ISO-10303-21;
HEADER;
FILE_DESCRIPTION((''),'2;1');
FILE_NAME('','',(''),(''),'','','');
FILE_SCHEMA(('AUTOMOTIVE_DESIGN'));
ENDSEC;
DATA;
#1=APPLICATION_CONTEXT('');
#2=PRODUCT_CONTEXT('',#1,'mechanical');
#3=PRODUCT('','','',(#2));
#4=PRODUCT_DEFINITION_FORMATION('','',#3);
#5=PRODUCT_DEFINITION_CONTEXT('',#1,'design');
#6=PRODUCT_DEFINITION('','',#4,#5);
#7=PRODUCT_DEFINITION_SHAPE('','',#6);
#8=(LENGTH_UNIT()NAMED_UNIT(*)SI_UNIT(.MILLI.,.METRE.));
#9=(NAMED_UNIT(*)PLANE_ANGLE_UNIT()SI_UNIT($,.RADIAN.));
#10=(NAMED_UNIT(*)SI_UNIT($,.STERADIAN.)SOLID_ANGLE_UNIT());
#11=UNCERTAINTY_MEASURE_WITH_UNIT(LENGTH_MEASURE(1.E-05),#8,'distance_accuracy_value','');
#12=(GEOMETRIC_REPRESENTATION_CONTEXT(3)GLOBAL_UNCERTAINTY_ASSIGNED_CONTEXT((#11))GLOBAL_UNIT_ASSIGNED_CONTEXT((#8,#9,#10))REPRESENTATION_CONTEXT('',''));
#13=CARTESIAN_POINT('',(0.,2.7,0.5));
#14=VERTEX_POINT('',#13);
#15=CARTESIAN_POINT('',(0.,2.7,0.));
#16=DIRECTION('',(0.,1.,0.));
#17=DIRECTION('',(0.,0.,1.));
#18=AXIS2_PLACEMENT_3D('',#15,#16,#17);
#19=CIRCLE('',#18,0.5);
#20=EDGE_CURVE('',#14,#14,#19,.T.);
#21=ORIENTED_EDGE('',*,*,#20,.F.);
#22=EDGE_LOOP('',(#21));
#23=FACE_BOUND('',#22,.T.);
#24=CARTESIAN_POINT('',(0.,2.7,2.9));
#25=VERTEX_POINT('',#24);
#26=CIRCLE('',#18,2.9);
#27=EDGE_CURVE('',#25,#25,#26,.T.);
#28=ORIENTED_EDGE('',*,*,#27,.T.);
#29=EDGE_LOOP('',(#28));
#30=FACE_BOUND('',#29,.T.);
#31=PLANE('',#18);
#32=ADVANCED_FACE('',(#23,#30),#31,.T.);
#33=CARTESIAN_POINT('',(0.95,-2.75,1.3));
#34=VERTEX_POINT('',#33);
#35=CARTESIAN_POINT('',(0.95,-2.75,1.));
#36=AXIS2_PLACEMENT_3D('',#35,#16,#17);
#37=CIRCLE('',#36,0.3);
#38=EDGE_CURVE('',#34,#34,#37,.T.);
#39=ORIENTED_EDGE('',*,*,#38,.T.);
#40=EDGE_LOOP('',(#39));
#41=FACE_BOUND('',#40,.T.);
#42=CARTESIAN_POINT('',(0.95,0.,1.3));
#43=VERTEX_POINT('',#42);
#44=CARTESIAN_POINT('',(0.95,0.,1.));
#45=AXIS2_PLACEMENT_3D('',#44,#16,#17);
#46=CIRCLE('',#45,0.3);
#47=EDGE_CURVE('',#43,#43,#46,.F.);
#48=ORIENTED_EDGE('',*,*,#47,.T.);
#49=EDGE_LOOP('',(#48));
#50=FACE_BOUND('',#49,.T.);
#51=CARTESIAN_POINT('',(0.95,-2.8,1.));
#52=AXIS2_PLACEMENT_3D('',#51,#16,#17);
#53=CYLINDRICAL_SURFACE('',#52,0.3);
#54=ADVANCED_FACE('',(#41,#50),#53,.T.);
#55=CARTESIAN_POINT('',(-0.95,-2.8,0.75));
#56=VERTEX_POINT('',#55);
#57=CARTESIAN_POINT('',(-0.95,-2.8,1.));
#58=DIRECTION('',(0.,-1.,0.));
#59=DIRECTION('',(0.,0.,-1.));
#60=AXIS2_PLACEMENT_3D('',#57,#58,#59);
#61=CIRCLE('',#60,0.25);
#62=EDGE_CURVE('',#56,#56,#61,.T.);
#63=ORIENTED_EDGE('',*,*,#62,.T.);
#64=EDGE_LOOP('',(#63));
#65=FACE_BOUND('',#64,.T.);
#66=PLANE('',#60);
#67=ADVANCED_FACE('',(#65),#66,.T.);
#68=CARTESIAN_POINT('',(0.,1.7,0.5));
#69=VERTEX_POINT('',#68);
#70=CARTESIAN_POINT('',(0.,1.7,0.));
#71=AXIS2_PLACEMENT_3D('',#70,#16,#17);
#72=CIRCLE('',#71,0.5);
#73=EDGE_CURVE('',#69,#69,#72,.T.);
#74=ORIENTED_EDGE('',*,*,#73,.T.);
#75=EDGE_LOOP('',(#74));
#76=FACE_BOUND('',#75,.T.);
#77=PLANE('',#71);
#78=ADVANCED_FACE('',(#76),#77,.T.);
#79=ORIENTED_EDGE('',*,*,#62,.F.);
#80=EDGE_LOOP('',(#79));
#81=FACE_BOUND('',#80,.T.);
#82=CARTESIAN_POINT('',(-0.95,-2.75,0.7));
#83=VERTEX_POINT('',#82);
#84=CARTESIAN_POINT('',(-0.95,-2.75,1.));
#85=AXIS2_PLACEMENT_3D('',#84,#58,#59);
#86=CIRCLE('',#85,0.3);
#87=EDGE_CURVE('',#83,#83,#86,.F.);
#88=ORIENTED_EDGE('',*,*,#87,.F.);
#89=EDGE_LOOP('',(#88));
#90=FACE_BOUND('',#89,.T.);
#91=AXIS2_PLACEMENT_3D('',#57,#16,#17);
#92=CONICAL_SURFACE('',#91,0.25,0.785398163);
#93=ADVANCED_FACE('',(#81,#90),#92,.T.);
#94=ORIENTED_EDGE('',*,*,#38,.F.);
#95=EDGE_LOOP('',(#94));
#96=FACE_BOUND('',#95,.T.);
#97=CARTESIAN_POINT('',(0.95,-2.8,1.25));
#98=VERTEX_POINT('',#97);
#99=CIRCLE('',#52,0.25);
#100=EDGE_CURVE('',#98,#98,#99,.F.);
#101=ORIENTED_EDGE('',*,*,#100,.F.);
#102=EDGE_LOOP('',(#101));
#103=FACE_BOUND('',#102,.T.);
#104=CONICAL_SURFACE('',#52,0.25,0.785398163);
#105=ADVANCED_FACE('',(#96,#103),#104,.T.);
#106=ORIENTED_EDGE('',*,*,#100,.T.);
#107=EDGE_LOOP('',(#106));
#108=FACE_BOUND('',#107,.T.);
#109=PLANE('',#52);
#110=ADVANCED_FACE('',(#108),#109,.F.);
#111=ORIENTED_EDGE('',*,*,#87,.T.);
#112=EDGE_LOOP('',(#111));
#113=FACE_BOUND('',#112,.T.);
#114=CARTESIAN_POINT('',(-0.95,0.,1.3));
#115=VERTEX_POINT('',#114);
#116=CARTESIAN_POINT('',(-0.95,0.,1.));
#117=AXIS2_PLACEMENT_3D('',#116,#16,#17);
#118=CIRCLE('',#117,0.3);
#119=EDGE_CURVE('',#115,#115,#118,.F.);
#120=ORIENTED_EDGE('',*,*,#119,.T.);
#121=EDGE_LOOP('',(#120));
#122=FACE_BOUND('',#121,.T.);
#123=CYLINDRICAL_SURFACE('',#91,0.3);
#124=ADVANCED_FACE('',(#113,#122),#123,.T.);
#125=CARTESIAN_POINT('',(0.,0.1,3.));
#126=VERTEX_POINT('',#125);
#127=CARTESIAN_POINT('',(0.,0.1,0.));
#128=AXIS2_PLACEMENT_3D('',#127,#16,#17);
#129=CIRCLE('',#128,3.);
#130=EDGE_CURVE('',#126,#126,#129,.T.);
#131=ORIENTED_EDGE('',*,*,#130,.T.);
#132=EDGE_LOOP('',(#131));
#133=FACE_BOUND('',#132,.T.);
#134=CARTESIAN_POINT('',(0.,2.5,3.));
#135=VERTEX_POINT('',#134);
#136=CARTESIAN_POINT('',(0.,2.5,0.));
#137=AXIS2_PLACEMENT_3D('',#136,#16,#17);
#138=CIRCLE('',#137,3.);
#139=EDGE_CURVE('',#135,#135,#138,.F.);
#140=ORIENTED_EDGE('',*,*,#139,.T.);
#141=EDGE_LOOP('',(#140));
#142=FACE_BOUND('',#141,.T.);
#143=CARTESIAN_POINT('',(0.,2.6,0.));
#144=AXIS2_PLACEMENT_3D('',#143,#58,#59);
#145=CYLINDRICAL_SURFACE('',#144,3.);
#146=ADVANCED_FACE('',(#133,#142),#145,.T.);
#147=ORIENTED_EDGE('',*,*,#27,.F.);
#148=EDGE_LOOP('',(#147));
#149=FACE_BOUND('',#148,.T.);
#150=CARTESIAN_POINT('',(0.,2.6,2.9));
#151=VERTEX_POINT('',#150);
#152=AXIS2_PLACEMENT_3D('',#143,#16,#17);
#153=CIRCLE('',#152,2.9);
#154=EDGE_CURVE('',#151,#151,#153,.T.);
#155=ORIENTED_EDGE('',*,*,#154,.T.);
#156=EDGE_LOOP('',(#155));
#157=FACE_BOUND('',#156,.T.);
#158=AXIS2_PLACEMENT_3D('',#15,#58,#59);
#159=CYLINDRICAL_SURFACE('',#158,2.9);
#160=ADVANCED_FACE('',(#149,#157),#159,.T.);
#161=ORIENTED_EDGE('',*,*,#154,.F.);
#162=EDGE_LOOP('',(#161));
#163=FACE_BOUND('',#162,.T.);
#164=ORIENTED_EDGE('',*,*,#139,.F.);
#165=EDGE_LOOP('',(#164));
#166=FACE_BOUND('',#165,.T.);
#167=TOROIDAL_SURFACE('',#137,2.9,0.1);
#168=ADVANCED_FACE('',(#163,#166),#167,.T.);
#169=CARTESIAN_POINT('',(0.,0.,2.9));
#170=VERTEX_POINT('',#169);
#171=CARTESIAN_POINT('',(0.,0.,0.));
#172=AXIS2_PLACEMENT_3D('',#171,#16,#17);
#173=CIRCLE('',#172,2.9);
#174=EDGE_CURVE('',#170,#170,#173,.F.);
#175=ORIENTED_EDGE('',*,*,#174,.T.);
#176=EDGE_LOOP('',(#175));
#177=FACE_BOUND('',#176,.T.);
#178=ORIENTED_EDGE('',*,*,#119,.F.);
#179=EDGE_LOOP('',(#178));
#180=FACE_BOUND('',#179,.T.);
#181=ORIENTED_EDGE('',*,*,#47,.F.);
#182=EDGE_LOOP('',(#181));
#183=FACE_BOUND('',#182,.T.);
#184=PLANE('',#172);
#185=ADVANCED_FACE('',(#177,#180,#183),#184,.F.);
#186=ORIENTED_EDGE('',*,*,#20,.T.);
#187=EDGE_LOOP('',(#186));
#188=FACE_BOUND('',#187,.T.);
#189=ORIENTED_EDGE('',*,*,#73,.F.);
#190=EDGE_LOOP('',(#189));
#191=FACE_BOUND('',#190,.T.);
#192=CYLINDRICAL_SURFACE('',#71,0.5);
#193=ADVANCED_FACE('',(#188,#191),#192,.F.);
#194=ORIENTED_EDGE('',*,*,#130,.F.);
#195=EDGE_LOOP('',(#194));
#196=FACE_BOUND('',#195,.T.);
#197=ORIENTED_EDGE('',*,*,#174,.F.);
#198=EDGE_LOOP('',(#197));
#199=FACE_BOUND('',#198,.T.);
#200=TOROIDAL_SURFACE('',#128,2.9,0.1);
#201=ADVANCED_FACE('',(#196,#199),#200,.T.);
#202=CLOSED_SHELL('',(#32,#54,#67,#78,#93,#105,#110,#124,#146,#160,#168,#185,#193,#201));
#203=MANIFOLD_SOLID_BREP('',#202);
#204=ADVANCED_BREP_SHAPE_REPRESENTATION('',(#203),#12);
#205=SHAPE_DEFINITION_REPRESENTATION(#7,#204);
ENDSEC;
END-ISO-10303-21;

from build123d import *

# Parameters (mm, degrees)
SKETCH1_R           = 3
BOSS_EXTRUDE1_DEPTH = 2.6
FILLET1_R           = 0.1
SKETCH3_R           = 2.9
BOSS_EXTRUDE2_DEPTH = 0.1
SKETCH2_R           = 0.5
CUT_EXTRUDE1_DEPTH  = 1
SKETCH4_R           = 0.3
BOSS_EXTRUDE3_DEPTH = 2.8
CHAMFER1_SIZE       = 0.05


with BuildPart() as part:
    # Sketch1 → Boss-Extrude1 (new body)
    with BuildSketch(Plane(origin=(0, 0, 0), x_dir=(1, 0, 0), z_dir=(0, 1, 0))):
        with Locations(Location((0, 0, 0), (0, 0, 270))):
            Circle(SKETCH1_R)
    extrude(amount=BOSS_EXTRUDE1_DEPTH)

    # Fillet1
    fillet1_edges = [part.edges().sort_by_distance(p)[0] for p in [
        (0, 0, -3),
        (0, 2.6, -3),
    ]]
    fillet(fillet1_edges, radius=FILLET1_R)

    # Sketch3 → Boss-Extrude2 (add)
    with BuildSketch(Plane(origin=(0, 2.6, 0), x_dir=(1, 0, 0), z_dir=(0, 1, 0))):
        with Locations(Location((0, 0, 0), (0, 0, 270))):
            Circle(SKETCH3_R)
    extrude(amount=BOSS_EXTRUDE2_DEPTH)

    # Sketch2 → Cut-Extrude1 (cut)
    with BuildSketch(Plane(origin=(0, 2.7, 0), x_dir=(1, 0, 0), z_dir=(0, 1, 0))):
        with Locations(Location((0, 0, 0), (0, 0, 270))):
            Circle(SKETCH2_R)
    extrude(amount=-CUT_EXTRUDE1_DEPTH, mode=Mode.SUBTRACT)

    # Sketch4 → Boss-Extrude3 (add)
    with BuildSketch(Plane.XZ):
        with Locations(Location((-0.95, 1, 0), (0, 0, 90))):
            Circle(SKETCH4_R)
        with Locations(Location((0.95, 1, 0), (0, 0, 90))):
            Circle(SKETCH4_R)
    extrude(amount=BOSS_EXTRUDE3_DEPTH)

    # Chamfer1
    chamfer1_edges = [part.edges().sort_by_distance(p)[0] for p in [
        (-0.95, -2.8, 0.7),
        (0.95, -2.8, 0.7),
    ]]
    chamfer(chamfer1_edges, length=CHAMFER1_SIZE)


solid = part.part
